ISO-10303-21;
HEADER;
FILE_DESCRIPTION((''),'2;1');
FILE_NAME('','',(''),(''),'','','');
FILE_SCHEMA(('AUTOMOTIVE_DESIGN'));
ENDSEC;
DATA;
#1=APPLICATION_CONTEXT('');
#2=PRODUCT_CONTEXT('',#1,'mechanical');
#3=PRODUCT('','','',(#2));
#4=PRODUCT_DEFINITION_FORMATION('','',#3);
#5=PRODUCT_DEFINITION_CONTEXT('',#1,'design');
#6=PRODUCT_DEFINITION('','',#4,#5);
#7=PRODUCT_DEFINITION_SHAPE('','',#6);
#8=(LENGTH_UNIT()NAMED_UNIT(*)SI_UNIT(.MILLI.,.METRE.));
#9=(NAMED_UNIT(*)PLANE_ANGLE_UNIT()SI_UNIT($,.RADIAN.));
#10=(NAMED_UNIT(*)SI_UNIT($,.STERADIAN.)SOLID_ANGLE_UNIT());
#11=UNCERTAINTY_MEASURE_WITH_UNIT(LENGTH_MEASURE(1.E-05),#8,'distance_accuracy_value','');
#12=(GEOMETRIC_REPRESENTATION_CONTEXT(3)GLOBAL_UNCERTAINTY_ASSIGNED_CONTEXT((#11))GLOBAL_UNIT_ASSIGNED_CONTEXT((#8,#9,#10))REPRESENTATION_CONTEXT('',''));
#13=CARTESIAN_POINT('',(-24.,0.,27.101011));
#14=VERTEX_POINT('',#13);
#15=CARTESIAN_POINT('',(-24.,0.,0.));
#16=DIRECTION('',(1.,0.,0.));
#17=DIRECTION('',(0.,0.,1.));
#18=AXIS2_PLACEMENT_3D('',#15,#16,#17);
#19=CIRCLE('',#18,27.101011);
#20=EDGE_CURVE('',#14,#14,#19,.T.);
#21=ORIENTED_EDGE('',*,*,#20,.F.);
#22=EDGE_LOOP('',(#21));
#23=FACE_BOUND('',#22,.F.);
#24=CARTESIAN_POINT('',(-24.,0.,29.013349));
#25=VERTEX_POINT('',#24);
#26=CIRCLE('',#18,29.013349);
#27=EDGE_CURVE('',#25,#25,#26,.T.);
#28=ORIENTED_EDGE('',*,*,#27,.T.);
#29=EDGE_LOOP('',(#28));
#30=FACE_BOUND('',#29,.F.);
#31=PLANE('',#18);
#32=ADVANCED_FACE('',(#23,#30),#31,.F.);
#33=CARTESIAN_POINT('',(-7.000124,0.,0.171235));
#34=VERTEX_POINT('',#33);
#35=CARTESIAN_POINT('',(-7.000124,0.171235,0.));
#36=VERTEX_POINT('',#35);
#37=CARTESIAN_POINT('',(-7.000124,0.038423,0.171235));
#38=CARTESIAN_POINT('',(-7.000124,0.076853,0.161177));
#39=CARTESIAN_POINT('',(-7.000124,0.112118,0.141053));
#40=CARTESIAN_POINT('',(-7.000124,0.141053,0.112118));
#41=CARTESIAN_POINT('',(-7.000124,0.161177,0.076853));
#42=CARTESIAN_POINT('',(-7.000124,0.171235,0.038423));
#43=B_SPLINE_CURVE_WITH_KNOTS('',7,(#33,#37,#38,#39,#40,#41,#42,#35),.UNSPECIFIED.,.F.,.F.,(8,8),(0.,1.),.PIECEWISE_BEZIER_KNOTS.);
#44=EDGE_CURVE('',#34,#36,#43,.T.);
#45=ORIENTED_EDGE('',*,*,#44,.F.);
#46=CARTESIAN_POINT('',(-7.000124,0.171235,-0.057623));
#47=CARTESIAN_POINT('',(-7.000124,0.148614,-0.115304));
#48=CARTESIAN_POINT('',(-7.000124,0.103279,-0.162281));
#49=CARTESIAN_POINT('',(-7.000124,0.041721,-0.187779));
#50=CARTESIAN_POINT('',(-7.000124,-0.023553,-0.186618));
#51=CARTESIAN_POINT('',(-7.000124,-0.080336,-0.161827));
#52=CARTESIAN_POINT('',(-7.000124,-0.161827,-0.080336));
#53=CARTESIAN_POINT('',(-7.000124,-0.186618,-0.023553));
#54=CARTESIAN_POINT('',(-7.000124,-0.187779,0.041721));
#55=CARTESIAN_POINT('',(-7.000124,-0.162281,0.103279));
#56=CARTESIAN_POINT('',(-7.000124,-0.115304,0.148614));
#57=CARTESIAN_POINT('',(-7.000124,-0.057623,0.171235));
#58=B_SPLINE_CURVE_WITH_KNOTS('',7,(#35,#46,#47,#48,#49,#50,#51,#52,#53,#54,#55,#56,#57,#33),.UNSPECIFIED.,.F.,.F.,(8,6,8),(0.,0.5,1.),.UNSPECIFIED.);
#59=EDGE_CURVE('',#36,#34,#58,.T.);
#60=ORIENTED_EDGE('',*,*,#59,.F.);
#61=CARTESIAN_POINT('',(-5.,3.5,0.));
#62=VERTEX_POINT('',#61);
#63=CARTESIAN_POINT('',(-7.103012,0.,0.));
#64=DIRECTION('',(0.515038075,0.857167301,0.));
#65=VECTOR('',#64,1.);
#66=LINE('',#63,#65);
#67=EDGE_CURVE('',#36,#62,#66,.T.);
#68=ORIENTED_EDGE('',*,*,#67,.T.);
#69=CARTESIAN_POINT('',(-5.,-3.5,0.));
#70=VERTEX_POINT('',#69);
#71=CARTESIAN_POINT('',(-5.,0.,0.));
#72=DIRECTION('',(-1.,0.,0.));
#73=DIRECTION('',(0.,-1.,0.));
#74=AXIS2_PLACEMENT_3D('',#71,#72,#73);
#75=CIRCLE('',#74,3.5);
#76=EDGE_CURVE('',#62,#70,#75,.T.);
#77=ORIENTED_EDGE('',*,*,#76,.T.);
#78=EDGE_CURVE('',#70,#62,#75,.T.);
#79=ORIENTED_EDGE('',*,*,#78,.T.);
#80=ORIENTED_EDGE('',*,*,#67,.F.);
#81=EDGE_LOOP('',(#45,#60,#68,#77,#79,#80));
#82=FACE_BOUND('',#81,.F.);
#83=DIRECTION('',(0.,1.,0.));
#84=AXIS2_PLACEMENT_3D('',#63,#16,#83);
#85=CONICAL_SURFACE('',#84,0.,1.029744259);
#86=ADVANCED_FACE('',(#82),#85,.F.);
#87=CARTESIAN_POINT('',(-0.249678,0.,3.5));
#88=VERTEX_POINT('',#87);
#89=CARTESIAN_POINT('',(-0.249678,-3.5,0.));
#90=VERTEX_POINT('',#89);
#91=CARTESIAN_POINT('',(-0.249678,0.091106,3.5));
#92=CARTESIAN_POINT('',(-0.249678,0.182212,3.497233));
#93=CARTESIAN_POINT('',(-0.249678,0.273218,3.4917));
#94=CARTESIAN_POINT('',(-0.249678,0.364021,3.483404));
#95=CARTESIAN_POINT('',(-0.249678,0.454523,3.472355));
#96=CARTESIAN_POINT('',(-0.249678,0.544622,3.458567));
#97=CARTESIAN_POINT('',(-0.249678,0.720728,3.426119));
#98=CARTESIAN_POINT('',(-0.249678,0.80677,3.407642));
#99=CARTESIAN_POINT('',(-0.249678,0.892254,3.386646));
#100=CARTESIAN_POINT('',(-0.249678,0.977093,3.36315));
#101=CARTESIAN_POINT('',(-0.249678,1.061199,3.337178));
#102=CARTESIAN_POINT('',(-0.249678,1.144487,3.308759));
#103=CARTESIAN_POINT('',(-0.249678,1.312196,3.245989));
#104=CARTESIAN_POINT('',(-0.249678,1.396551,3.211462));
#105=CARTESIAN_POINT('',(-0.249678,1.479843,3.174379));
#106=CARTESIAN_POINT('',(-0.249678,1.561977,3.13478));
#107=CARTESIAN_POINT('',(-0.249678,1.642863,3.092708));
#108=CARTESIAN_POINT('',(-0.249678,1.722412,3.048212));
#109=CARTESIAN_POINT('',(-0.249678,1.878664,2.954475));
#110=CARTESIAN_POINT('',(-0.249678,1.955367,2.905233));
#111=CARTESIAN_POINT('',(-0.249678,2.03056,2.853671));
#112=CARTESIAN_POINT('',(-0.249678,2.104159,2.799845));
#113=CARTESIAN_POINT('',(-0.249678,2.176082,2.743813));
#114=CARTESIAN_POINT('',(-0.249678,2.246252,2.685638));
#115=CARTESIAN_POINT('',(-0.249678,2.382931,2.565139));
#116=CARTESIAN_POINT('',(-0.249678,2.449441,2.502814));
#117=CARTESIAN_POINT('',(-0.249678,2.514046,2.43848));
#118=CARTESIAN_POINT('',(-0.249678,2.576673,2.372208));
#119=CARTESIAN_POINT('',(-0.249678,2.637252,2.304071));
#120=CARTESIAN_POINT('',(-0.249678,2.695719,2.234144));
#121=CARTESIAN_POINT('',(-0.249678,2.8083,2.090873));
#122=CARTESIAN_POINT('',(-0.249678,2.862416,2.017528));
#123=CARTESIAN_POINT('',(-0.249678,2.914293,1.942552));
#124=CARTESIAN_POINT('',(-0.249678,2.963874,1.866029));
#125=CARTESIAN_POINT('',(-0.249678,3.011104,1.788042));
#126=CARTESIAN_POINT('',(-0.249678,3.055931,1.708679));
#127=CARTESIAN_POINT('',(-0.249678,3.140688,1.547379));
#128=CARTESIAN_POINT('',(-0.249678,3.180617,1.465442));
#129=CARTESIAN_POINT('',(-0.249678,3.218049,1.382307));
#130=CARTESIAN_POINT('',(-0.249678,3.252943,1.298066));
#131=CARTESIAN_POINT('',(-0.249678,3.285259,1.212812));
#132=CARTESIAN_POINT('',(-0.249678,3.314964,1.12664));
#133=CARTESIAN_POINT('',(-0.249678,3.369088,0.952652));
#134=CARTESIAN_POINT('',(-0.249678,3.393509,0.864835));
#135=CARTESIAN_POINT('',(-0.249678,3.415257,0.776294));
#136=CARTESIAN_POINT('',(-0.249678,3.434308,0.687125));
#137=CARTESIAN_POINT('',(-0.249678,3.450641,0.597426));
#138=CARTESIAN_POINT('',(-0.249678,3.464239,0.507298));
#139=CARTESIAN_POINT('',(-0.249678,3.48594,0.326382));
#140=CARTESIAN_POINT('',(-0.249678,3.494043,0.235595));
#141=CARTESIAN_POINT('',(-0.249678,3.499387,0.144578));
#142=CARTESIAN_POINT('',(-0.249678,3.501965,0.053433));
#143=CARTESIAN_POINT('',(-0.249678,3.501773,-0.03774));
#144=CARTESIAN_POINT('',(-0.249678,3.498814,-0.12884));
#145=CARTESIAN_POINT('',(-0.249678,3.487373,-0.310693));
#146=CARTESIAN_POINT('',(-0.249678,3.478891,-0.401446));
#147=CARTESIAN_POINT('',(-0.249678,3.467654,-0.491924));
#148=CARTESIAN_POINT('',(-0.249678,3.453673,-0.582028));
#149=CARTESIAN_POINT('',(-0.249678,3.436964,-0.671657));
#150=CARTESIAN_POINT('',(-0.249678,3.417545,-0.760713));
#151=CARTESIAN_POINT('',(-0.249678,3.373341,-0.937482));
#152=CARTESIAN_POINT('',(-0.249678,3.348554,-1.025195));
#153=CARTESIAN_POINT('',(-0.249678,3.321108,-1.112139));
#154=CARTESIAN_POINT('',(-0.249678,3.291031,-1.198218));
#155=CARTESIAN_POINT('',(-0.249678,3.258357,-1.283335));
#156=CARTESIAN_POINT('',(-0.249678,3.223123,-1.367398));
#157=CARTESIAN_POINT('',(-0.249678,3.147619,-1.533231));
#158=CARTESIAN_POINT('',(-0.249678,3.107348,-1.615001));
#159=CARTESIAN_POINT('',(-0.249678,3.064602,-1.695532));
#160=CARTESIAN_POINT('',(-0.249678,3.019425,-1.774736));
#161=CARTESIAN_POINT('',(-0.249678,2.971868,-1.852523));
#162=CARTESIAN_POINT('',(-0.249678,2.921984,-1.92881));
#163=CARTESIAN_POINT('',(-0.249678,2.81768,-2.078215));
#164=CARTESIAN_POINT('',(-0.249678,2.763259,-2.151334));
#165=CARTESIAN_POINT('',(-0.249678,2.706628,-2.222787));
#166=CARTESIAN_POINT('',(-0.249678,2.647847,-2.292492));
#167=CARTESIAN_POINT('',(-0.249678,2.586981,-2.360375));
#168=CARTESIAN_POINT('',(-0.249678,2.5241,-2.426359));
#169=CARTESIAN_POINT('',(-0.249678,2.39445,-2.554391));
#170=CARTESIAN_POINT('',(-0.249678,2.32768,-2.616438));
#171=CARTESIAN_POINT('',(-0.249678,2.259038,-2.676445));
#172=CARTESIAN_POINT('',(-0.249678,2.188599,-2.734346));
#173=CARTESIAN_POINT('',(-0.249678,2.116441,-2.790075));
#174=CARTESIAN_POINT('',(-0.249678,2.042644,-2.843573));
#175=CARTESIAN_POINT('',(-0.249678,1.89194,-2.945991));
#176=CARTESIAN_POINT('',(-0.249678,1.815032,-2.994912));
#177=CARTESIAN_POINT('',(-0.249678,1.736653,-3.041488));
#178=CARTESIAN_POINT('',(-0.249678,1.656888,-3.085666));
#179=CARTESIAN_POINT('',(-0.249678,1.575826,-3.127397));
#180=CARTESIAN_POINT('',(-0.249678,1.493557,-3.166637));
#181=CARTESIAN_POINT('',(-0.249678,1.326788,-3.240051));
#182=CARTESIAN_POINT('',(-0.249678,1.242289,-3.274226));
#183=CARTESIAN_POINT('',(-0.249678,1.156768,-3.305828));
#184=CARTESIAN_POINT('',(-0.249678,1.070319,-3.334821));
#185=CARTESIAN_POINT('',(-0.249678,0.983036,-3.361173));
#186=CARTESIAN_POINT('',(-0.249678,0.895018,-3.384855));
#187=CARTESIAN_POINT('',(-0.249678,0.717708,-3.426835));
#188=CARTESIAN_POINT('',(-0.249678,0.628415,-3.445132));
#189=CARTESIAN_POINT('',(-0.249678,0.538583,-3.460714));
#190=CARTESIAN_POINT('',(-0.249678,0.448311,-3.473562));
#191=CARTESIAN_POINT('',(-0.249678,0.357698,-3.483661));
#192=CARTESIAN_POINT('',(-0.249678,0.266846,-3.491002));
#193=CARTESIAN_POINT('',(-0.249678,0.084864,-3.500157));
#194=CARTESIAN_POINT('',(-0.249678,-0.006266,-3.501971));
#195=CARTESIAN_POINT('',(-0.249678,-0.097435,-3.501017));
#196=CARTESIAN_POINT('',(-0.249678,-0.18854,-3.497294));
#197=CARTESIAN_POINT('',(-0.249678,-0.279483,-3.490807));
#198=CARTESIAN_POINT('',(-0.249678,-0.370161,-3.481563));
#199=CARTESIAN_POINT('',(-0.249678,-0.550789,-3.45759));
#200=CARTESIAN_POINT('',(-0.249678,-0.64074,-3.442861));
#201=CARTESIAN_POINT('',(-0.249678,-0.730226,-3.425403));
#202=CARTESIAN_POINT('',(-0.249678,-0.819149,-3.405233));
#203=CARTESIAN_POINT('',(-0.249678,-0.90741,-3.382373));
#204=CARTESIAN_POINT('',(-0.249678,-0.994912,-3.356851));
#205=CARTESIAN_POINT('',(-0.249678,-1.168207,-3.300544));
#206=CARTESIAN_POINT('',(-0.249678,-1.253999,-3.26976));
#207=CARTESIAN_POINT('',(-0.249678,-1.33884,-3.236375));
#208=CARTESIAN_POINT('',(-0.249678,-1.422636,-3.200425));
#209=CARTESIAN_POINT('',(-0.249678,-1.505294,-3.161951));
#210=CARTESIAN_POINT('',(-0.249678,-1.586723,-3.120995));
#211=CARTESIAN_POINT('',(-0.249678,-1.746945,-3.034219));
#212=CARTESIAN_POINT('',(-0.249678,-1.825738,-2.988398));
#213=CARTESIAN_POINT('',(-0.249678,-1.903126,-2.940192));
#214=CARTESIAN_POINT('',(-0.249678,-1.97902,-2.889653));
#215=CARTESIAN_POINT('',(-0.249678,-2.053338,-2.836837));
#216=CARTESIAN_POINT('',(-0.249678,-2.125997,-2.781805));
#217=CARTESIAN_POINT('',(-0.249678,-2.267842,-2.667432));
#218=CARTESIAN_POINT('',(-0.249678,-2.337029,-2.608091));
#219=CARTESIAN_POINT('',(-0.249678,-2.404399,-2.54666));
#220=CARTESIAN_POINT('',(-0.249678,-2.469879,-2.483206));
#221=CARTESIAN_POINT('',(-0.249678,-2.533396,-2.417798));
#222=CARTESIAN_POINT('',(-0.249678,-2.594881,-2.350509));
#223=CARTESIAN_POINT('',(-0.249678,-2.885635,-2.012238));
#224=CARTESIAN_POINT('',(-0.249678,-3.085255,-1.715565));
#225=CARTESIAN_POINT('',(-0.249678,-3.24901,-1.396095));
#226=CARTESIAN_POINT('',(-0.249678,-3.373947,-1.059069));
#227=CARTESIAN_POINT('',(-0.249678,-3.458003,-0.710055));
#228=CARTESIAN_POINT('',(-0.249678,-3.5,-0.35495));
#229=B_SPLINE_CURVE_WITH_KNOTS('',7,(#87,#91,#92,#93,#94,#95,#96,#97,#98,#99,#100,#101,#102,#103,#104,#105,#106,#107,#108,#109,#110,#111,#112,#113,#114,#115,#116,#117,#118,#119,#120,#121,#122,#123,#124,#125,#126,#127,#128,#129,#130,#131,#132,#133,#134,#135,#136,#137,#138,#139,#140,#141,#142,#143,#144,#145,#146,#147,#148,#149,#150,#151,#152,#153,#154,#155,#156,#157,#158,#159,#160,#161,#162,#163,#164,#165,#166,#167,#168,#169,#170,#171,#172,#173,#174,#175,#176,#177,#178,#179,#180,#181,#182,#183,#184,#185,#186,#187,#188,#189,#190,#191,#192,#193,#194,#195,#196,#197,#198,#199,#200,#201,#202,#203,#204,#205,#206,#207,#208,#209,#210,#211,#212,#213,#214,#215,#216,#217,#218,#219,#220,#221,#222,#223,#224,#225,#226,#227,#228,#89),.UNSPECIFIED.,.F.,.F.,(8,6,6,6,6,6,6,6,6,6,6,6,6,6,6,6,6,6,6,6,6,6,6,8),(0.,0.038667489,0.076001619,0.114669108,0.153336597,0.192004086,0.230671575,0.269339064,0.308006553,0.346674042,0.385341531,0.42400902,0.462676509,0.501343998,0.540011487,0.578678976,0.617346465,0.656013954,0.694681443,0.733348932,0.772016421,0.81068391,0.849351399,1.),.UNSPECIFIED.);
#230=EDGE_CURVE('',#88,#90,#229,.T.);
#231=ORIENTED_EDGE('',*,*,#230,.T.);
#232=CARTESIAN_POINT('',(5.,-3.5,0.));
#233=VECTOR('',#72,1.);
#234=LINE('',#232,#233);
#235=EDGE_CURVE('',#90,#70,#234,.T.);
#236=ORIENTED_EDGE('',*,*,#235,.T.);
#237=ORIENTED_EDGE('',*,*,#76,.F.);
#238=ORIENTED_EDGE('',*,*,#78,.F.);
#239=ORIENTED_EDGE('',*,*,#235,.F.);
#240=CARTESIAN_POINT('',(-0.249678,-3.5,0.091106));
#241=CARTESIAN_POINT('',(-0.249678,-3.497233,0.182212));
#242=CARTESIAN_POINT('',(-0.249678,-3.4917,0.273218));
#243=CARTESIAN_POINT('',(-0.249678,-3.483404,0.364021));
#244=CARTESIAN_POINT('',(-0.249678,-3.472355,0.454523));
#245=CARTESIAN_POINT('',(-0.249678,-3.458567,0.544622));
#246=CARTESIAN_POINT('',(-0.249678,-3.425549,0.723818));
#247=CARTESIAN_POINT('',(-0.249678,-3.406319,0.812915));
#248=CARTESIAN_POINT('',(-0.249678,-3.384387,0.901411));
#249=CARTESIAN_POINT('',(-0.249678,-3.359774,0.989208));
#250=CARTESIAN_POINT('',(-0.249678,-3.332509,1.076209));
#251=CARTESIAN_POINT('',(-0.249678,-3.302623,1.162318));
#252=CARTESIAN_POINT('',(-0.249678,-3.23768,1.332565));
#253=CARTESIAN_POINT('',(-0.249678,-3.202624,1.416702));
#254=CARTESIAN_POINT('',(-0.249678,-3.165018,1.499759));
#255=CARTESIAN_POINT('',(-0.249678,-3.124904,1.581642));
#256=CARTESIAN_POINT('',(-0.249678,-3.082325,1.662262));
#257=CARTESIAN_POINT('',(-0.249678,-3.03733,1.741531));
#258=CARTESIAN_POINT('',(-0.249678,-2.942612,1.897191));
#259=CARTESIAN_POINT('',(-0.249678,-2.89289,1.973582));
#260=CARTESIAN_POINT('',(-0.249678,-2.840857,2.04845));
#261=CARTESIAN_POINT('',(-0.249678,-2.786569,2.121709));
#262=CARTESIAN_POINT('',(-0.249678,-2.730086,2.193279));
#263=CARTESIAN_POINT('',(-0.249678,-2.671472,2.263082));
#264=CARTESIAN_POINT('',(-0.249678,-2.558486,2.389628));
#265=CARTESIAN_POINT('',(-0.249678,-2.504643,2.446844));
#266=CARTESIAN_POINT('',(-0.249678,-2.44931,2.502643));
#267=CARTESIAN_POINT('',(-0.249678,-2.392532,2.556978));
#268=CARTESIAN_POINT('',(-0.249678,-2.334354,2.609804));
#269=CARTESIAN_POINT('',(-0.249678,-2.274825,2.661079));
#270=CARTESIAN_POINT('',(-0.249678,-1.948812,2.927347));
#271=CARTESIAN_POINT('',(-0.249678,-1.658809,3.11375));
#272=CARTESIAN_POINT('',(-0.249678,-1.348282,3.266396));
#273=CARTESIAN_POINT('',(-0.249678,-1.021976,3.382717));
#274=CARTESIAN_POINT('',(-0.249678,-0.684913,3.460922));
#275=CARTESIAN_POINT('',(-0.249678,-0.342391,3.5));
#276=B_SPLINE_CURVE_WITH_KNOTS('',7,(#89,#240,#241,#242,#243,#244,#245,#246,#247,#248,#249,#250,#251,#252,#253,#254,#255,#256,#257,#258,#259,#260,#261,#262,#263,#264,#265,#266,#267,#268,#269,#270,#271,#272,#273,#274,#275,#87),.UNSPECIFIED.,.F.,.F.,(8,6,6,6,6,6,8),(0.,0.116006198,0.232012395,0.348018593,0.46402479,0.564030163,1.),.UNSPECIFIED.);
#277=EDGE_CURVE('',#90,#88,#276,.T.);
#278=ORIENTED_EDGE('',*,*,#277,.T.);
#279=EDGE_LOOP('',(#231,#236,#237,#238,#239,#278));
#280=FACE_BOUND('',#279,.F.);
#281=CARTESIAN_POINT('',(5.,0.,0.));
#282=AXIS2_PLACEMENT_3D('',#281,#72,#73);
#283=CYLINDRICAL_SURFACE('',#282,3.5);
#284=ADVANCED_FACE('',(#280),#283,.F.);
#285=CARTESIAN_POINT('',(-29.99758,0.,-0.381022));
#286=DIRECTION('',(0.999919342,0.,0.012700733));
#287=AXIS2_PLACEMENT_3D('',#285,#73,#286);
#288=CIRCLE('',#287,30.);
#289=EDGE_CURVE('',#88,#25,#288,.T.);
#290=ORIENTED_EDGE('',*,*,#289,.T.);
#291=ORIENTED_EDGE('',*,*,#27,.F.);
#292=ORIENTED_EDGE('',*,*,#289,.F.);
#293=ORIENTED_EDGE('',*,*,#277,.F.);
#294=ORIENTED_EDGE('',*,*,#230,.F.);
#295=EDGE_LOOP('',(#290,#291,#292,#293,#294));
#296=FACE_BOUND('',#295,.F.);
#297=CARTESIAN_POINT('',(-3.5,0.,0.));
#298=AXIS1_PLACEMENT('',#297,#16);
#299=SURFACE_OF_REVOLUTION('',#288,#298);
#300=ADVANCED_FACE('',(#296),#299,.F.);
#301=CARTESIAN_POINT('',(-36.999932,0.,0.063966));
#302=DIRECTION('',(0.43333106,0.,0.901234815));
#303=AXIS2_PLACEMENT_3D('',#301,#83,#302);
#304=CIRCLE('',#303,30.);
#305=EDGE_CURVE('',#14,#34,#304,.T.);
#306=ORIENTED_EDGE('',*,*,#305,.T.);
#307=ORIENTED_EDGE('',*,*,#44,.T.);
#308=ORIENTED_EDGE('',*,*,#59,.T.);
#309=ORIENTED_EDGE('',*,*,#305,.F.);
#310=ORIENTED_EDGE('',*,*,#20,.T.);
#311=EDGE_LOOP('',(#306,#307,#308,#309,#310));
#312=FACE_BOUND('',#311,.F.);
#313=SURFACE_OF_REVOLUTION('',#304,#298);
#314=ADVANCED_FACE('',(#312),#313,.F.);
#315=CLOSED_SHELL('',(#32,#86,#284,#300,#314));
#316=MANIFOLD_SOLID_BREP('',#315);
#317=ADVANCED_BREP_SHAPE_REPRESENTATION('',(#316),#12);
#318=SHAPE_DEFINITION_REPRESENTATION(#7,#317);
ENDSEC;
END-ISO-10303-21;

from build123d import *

# Parameters (mm, degrees)
F3_D     = 7
F3_DEPTH = 5
F3_TIP   = 2.1030121666


with BuildPart() as f1:
    # F0 (on Front) → F1 (revolve)
    with BuildSketch(Plane.XZ):
        with BuildLine():
            Line((-7, 0), (0, 0))
            ThreePointArc((0, 0), (-6.8814279762, 18.7407850101), (-24, 29.0133487433))
            Line((-24, 29.0133487433), (-24, 27.101010782))
            ThreePointArc((-24, 27.101010782), (-11.5860917966, 16.0056329873), (-7, 0))
        make_face()
    revolve(axis=Axis((-3.5, 0, 0), (1, 0, 0)))

    # F3
    with Locations(Plane.YZ):
        with Locations((0, 0)):
            Hole(F3_D / 2, depth=F3_DEPTH)
            with Locations((0, 0, -(F3_DEPTH + F3_TIP / 2))):  # 118° drill point
                Cone(0, F3_D / 2, F3_TIP, mode=Mode.SUBTRACT)


solid = f1.part
